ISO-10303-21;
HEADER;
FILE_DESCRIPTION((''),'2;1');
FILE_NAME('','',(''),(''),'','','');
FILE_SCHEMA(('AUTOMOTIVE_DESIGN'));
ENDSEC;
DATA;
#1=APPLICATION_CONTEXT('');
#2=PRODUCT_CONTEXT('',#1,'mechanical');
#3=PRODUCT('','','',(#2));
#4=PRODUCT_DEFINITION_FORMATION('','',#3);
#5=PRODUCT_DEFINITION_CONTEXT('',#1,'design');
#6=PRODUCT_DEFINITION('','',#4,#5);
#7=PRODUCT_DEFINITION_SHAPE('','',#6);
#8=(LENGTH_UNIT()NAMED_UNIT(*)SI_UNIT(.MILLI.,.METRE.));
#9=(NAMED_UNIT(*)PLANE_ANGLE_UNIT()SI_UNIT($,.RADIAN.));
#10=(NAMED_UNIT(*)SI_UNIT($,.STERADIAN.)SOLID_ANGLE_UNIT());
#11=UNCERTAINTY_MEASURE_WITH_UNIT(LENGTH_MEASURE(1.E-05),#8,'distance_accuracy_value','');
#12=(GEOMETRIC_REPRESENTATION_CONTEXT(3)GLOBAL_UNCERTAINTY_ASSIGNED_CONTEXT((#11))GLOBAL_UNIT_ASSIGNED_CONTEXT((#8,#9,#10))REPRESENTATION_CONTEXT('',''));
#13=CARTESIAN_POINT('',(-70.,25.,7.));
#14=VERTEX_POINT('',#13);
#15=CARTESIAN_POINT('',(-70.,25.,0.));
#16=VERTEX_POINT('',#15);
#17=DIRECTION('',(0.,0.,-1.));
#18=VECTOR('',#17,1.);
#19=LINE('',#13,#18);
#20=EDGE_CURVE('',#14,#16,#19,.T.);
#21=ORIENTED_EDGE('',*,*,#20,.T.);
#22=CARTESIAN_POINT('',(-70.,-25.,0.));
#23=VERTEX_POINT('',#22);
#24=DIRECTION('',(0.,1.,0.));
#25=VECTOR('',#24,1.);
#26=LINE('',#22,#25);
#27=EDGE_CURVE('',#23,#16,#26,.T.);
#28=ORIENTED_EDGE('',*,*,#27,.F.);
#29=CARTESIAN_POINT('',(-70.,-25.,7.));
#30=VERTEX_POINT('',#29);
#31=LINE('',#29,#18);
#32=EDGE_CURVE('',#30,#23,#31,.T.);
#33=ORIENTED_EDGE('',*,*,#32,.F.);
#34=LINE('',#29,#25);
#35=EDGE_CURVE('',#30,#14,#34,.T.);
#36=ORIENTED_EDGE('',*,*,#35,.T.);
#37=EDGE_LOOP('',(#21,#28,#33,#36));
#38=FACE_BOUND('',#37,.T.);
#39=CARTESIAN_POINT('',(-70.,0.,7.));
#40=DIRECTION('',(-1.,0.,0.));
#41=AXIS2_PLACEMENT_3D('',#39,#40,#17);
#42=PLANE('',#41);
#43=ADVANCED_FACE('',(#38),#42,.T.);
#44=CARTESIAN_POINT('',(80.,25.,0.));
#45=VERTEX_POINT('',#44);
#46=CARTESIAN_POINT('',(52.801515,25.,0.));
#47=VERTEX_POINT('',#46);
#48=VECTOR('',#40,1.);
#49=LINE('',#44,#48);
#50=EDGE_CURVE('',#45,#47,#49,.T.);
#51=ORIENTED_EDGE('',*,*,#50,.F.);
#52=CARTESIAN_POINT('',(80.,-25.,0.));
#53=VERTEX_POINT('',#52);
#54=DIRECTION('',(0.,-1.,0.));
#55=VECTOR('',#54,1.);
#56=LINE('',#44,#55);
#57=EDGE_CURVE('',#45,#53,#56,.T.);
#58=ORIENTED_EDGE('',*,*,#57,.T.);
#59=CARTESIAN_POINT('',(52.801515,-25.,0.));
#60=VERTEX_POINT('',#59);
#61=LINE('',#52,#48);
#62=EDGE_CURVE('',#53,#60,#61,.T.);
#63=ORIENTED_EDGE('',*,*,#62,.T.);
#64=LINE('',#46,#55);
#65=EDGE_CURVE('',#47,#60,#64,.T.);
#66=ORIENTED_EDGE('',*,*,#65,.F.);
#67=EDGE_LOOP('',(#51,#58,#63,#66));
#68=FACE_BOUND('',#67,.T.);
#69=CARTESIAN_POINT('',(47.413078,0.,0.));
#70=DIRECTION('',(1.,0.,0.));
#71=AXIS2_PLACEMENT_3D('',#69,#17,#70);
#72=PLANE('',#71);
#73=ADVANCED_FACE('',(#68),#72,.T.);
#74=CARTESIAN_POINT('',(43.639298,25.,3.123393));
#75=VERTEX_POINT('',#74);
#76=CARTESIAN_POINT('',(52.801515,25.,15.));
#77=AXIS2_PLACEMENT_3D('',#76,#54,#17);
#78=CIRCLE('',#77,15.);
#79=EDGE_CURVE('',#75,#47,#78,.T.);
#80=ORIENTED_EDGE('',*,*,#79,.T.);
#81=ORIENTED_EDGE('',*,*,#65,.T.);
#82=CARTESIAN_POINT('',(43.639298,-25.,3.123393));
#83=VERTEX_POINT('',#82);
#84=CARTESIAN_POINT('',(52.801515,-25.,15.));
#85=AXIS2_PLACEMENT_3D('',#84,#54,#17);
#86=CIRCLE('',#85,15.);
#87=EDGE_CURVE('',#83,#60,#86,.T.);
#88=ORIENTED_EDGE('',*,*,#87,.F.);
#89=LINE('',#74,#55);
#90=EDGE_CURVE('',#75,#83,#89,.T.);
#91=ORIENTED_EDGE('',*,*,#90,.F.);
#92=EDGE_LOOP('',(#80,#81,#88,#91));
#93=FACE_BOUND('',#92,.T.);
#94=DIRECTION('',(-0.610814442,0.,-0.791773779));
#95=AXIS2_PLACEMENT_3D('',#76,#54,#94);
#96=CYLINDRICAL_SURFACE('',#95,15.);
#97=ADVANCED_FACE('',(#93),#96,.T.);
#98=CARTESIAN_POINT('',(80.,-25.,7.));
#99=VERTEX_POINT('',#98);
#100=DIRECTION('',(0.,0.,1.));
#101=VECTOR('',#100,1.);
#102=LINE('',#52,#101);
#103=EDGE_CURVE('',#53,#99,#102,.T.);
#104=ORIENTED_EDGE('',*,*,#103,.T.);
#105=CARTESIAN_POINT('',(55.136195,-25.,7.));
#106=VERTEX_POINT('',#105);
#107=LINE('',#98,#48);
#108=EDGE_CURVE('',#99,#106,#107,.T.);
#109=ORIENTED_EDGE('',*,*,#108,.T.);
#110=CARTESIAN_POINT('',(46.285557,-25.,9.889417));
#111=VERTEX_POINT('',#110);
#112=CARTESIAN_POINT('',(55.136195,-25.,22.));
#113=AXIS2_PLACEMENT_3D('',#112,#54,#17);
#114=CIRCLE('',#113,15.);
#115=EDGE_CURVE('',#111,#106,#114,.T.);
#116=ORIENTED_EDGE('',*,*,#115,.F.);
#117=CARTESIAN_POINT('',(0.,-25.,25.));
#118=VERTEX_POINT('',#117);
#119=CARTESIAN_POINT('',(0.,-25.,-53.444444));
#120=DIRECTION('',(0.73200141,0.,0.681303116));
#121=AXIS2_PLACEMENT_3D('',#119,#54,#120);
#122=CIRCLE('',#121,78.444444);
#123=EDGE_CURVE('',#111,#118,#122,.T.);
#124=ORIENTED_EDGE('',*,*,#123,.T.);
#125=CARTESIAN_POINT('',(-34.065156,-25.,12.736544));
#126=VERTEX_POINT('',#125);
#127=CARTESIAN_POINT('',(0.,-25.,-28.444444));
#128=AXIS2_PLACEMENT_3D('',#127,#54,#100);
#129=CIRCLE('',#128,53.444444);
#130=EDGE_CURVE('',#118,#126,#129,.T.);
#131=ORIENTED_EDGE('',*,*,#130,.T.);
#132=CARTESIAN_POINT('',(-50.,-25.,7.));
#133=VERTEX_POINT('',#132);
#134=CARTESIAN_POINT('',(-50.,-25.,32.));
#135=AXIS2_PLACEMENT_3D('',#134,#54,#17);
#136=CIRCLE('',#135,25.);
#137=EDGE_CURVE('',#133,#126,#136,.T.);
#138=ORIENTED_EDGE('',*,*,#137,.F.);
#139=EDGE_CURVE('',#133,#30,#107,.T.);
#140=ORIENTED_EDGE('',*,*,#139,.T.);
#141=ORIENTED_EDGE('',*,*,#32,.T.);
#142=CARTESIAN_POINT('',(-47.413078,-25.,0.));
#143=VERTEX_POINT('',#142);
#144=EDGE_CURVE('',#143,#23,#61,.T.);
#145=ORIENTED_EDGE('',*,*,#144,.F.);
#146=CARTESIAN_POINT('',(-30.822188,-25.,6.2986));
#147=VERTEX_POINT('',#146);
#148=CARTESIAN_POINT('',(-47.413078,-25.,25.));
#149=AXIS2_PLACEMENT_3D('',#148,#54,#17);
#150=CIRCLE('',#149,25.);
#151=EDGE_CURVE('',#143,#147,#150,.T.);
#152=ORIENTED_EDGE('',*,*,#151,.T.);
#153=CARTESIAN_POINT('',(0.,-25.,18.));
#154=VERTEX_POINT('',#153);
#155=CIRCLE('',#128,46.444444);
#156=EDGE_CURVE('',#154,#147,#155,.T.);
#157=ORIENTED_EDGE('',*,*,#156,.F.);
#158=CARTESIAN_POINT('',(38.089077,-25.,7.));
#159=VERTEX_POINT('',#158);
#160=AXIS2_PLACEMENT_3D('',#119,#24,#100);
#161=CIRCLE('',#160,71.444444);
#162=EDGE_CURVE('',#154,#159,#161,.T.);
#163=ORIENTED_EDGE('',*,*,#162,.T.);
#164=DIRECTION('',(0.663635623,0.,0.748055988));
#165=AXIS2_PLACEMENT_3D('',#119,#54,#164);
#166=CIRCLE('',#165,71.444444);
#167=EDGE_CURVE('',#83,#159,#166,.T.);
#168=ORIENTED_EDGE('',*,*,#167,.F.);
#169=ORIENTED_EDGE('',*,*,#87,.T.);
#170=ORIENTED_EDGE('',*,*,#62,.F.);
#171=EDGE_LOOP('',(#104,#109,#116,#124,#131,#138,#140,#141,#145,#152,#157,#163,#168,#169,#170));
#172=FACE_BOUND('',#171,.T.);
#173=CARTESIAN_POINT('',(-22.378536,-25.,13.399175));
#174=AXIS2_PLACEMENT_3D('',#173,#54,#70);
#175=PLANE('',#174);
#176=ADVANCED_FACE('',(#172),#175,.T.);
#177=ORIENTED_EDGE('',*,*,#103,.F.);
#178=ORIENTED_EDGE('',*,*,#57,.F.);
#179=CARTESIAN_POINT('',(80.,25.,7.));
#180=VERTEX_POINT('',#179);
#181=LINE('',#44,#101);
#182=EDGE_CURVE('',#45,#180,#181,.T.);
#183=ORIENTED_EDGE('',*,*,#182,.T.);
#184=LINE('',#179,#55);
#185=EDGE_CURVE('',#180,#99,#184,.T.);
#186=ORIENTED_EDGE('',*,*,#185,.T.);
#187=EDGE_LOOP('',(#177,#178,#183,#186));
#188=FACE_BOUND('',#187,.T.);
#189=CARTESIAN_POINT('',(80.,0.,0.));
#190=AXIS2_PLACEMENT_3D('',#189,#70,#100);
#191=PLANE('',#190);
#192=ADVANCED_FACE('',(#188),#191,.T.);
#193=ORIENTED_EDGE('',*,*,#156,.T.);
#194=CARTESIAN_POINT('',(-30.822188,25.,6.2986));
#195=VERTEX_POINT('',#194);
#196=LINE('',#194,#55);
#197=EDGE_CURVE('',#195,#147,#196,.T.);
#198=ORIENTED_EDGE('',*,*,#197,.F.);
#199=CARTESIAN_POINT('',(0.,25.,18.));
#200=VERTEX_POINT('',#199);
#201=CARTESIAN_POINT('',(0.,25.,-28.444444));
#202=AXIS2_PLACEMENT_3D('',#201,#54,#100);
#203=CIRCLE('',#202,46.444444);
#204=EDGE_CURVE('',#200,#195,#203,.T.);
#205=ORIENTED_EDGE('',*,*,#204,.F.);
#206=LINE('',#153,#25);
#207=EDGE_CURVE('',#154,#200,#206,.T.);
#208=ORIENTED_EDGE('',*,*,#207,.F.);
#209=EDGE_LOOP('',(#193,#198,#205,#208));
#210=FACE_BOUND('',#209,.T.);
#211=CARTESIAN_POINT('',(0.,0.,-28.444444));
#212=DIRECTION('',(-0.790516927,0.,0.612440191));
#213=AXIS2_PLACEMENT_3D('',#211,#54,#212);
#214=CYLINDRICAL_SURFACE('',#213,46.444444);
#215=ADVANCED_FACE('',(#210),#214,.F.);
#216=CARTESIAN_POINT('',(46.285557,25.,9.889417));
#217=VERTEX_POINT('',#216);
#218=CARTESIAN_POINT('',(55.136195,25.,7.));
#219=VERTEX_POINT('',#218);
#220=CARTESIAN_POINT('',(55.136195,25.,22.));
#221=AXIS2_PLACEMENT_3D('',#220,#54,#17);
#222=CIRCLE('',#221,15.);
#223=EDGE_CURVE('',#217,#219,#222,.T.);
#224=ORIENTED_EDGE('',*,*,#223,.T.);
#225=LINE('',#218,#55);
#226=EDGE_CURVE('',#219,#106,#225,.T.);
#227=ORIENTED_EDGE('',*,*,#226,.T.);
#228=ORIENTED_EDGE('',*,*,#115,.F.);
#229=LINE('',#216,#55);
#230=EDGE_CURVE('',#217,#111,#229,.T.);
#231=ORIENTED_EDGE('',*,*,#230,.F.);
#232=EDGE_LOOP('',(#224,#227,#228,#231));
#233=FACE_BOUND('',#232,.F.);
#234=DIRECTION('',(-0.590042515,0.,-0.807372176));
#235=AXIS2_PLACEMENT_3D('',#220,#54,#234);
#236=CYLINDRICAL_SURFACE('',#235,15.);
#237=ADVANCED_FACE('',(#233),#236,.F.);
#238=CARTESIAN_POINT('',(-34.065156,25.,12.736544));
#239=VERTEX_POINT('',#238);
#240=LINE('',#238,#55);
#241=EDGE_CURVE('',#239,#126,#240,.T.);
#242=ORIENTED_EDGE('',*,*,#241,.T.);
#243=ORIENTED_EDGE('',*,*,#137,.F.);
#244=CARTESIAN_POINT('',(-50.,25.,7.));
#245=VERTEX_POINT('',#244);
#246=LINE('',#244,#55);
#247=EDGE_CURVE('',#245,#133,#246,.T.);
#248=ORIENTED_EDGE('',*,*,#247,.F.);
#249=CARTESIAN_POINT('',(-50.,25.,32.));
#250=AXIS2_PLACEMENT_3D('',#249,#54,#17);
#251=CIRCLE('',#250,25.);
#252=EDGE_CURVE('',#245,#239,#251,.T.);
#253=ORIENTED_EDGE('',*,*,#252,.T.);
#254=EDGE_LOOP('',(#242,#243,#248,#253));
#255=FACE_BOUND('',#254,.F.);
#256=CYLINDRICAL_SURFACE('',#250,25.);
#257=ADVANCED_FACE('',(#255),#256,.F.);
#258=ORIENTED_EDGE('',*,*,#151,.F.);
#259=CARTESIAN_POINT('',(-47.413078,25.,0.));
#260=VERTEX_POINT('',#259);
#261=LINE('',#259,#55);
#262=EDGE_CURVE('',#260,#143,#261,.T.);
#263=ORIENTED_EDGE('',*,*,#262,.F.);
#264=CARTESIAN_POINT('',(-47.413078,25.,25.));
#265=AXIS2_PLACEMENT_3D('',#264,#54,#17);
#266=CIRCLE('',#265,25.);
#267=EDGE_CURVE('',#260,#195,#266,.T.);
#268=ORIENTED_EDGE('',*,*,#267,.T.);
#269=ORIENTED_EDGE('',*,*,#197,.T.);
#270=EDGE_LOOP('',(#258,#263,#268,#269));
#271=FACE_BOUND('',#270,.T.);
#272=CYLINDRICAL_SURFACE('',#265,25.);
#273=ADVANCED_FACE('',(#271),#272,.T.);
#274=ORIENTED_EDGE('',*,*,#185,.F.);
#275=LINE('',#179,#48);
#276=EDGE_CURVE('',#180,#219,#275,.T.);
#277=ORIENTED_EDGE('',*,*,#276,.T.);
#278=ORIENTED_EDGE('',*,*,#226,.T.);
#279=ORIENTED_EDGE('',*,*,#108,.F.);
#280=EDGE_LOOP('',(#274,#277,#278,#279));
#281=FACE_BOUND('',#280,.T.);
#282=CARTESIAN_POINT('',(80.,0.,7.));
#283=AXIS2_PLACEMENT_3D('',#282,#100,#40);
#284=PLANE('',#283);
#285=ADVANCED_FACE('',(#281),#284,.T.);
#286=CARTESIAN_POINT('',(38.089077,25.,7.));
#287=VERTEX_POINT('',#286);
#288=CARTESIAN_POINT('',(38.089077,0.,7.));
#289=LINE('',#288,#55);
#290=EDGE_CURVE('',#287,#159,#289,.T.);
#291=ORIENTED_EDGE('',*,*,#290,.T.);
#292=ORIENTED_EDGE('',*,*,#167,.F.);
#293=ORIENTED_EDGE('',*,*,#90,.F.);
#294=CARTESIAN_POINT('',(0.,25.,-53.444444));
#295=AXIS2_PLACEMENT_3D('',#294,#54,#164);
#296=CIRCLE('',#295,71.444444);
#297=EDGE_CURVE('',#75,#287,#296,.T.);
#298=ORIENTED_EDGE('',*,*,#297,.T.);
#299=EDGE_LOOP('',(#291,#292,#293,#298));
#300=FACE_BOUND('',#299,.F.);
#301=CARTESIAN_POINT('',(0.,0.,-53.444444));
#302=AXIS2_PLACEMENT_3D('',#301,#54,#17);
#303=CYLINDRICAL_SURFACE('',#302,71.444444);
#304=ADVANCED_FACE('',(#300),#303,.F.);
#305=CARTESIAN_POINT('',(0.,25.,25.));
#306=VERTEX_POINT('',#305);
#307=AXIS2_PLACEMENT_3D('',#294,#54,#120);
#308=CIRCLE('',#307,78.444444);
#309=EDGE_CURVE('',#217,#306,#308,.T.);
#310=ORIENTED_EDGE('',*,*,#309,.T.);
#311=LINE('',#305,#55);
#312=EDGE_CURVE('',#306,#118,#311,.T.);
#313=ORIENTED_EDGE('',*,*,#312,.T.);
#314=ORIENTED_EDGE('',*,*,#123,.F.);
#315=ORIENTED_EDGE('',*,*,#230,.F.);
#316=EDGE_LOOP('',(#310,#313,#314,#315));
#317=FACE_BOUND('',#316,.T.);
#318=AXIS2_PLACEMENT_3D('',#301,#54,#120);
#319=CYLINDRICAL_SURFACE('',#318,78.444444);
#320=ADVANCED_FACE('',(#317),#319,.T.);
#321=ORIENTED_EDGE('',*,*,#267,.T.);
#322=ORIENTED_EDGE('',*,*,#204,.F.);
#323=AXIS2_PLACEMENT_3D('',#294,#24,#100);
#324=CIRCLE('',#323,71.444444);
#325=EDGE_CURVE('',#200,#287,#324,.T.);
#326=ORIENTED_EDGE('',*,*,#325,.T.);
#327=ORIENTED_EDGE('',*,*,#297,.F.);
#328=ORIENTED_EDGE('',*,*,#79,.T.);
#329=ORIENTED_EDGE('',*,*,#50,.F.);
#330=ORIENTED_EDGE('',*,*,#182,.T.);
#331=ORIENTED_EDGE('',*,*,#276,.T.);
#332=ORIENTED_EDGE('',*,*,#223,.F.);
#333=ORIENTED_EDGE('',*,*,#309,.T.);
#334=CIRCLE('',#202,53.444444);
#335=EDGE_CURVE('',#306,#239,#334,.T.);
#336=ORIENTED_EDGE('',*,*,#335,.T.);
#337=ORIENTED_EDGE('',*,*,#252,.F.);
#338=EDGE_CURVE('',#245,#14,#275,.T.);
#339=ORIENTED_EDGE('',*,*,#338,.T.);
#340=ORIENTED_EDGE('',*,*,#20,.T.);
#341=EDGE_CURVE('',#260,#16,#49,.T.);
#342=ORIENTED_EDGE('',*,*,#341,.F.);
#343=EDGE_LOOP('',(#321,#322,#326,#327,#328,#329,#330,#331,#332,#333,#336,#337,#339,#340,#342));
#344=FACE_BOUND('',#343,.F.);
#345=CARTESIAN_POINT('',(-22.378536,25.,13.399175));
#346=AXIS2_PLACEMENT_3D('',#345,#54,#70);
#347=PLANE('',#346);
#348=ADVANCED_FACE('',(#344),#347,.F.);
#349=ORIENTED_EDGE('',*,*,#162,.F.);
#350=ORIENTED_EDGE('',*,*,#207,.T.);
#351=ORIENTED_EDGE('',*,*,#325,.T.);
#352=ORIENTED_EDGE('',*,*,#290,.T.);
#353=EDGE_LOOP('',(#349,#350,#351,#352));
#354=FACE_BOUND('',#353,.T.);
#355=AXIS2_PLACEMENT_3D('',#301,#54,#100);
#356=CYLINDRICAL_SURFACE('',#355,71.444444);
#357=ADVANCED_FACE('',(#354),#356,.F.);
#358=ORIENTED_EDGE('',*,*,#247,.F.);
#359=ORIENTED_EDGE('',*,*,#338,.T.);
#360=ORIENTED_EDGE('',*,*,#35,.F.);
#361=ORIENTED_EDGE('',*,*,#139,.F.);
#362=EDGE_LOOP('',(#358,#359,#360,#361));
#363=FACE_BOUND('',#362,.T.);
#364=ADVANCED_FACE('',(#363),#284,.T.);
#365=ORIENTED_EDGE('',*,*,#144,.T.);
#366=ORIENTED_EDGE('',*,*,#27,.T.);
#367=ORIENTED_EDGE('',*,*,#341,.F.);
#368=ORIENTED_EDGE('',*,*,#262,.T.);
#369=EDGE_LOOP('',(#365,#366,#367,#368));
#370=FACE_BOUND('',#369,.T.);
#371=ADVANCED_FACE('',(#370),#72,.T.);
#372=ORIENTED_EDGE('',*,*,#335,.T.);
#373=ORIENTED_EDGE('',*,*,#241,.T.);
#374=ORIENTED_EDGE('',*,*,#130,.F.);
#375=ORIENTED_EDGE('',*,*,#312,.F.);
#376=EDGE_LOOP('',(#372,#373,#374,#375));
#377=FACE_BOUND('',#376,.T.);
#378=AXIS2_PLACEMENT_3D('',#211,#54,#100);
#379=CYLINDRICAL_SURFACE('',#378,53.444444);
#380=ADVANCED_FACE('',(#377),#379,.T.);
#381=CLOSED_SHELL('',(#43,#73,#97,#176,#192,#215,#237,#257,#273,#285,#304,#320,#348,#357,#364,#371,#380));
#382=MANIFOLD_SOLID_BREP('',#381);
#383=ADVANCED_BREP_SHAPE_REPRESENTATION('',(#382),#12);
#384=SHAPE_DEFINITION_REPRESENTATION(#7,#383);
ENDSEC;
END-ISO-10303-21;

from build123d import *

# Parameters (mm, degrees)
F6_DEPTH  = 25
F7_DEPTH  = 25
F8_DEPTH  = 25
F9_DEPTH  = 25
F10_DEPTH = 25
F11_R     = 25
F12_R     = 15


with BuildPart() as f6:
    # F3 (on Front) → F6 (new body, symmetric)
    with BuildSketch(Plane.XZ):
        Polygon((-70, 0), (0, 0), (80, 0), (80, 7), (50, 7), (-40, 7), (-70, 7), align=None)
    extrude(amount=F6_DEPTH, both=True)

    # F4 (on Front) → F7 (join, symmetric)
    with BuildSketch(Plane.XZ):
        with BuildLine():
            Line((0, 18), (0, 25))
            ThreePointArc((0, 25), (-25.8467706988, 18.3343230299), (-45.2462398683, 0))
            Line((-45.2462398683, 0), (-36.7151195014, 0))
            ThreePointArc((-36.7151195014, 0), (-20.4450483003, 13.257910642), (0, 18))
        make_face()
    extrude(amount=F7_DEPTH, both=True)

    # F5 (on Front) → F8 (join, symmetric)
    with BuildSketch(Plane.XZ):
        with BuildLine():
            Line((47.4130783645, 0), (57.4214439232, 0))
            ThreePointArc((57.4214439232, 0), (31.3138237134, 18.4789544508), (0, 25))
            Line((0, 25), (0, 18))
            ThreePointArc((0, 18), (25.3574446662, 13.3485839491), (47.4130783645, 0))
        make_face()
    extrude(amount=F8_DEPTH, both=True)

    # F4 (on Front) → F9 (cut, symmetric)
    with BuildSketch(Plane.XZ):
        with BuildLine():
            Line((0, 0), (0, 18))
            ThreePointArc((0, 18), (-20.4450483003, 13.257910642), (-36.7151195014, 0))
            Line((-36.7151195014, 0), (0, 0))
        make_face()
        with BuildLine():
            Line((0, 0), (-36.7151195014, 0))
            ThreePointArc((-36.7151195014, 0), (-41.7023550864, -48.8894927447), (0, -74.8888888889))
            Line((0, -74.8888888889), (0, 0))
        make_face()
    extrude(amount=F9_DEPTH, both=True, mode=Mode.SUBTRACT)

    # F5 (on Front) → F10 (cut, symmetric)
    with BuildSketch(Plane.XZ):
        with BuildLine():
            Line((0, 0), (0, -124.8888888889))
            ThreePointArc((0, -124.8888888889), (66.7930283935, -78.8018891107), (47.4130783645, 0))
            Line((47.4130783645, 0), (0, 0))
        make_face()
        with BuildLine():
            Line((0, 0), (47.4130783645, 0))
            ThreePointArc((47.4130783645, 0), (25.3574446662, 13.3485839491), (0, 18))
            Line((0, 18), (0, 0))
        make_face()
    extrude(amount=F10_DEPTH, both=True, mode=Mode.SUBTRACT)

    # F11
    f11_edges = [f6.edges().sort_by_distance(p)[0] for p in [
        (-40, 0, 7),
        (-36.71512, 0, 0),
    ]]
    fillet(f11_edges, radius=F11_R)

    # F12
    f12_edges = [f6.edges().sort_by_distance(p)[0] for p in [
        (50, 0, 7),
        (47.413078, 0, 0),
    ]]
    fillet(f12_edges, radius=F12_R)


solid = f6.part
